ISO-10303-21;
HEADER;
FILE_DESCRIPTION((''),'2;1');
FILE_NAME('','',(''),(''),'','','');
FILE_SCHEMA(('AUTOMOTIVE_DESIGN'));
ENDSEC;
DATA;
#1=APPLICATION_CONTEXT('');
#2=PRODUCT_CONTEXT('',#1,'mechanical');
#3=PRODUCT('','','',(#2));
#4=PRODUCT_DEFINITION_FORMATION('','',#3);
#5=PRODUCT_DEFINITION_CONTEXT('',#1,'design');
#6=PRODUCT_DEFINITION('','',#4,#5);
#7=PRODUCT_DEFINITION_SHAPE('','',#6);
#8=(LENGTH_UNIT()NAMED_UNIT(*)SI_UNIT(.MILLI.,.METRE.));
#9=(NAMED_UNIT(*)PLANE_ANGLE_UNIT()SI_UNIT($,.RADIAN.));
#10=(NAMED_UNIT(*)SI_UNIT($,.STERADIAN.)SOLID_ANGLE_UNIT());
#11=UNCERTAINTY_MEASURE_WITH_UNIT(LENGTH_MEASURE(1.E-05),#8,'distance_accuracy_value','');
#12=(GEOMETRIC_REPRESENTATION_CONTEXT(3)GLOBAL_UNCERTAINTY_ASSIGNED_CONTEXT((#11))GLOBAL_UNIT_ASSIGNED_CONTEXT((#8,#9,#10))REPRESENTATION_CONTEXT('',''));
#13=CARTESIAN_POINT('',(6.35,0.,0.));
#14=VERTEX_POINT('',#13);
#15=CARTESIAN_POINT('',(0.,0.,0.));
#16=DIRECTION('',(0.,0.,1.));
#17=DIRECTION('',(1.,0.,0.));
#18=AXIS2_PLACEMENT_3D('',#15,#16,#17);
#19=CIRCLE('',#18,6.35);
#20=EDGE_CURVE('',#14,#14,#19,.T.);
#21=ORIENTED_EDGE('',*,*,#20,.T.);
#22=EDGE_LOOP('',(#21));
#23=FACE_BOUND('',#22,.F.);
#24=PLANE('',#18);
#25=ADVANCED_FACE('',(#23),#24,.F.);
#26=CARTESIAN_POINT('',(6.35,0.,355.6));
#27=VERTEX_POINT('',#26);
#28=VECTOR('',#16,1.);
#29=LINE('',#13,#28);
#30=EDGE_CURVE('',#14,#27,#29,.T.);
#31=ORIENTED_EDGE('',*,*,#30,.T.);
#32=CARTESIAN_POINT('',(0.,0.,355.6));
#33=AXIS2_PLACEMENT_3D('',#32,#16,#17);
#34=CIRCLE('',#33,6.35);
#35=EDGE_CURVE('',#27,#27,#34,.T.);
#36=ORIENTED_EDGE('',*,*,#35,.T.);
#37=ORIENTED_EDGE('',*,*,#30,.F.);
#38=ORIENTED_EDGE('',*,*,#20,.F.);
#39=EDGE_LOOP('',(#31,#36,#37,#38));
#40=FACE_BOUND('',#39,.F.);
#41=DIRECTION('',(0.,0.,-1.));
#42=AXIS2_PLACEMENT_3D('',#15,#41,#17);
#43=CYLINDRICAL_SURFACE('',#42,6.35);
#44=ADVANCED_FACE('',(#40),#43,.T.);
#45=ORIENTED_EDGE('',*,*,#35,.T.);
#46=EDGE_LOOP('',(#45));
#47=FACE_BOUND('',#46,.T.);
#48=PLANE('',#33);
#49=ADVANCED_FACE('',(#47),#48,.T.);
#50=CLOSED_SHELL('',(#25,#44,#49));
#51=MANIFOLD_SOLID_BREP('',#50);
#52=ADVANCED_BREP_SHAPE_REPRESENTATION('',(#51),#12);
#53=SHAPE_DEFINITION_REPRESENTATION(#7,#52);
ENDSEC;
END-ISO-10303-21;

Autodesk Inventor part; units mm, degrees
ref_plane "YZ Plane" through (0, 0, 0) normal (1, 0, 0) x (0, 1, 0)
ref_plane "XZ Plane" through (0, 0, 0) normal (0, 1, 0) x (-1, 0, 0)
ref_plane "XY Plane" through (0, 0, 0) normal (0, 0, 1) x (1, 0, 0)
sketch "Sketch1" plane through (0, 0, 0) normal (0, 0, 1) x (1, 0, 0)
  circle A0 centre (0, 0) radius 6.35
  dimension "d0" = 12.7
extrude "Extrusion1" add sketch "Sketch1" along normal blind 355.6
properties part number "Sweeper Rod" material "Aluminum 6061"
